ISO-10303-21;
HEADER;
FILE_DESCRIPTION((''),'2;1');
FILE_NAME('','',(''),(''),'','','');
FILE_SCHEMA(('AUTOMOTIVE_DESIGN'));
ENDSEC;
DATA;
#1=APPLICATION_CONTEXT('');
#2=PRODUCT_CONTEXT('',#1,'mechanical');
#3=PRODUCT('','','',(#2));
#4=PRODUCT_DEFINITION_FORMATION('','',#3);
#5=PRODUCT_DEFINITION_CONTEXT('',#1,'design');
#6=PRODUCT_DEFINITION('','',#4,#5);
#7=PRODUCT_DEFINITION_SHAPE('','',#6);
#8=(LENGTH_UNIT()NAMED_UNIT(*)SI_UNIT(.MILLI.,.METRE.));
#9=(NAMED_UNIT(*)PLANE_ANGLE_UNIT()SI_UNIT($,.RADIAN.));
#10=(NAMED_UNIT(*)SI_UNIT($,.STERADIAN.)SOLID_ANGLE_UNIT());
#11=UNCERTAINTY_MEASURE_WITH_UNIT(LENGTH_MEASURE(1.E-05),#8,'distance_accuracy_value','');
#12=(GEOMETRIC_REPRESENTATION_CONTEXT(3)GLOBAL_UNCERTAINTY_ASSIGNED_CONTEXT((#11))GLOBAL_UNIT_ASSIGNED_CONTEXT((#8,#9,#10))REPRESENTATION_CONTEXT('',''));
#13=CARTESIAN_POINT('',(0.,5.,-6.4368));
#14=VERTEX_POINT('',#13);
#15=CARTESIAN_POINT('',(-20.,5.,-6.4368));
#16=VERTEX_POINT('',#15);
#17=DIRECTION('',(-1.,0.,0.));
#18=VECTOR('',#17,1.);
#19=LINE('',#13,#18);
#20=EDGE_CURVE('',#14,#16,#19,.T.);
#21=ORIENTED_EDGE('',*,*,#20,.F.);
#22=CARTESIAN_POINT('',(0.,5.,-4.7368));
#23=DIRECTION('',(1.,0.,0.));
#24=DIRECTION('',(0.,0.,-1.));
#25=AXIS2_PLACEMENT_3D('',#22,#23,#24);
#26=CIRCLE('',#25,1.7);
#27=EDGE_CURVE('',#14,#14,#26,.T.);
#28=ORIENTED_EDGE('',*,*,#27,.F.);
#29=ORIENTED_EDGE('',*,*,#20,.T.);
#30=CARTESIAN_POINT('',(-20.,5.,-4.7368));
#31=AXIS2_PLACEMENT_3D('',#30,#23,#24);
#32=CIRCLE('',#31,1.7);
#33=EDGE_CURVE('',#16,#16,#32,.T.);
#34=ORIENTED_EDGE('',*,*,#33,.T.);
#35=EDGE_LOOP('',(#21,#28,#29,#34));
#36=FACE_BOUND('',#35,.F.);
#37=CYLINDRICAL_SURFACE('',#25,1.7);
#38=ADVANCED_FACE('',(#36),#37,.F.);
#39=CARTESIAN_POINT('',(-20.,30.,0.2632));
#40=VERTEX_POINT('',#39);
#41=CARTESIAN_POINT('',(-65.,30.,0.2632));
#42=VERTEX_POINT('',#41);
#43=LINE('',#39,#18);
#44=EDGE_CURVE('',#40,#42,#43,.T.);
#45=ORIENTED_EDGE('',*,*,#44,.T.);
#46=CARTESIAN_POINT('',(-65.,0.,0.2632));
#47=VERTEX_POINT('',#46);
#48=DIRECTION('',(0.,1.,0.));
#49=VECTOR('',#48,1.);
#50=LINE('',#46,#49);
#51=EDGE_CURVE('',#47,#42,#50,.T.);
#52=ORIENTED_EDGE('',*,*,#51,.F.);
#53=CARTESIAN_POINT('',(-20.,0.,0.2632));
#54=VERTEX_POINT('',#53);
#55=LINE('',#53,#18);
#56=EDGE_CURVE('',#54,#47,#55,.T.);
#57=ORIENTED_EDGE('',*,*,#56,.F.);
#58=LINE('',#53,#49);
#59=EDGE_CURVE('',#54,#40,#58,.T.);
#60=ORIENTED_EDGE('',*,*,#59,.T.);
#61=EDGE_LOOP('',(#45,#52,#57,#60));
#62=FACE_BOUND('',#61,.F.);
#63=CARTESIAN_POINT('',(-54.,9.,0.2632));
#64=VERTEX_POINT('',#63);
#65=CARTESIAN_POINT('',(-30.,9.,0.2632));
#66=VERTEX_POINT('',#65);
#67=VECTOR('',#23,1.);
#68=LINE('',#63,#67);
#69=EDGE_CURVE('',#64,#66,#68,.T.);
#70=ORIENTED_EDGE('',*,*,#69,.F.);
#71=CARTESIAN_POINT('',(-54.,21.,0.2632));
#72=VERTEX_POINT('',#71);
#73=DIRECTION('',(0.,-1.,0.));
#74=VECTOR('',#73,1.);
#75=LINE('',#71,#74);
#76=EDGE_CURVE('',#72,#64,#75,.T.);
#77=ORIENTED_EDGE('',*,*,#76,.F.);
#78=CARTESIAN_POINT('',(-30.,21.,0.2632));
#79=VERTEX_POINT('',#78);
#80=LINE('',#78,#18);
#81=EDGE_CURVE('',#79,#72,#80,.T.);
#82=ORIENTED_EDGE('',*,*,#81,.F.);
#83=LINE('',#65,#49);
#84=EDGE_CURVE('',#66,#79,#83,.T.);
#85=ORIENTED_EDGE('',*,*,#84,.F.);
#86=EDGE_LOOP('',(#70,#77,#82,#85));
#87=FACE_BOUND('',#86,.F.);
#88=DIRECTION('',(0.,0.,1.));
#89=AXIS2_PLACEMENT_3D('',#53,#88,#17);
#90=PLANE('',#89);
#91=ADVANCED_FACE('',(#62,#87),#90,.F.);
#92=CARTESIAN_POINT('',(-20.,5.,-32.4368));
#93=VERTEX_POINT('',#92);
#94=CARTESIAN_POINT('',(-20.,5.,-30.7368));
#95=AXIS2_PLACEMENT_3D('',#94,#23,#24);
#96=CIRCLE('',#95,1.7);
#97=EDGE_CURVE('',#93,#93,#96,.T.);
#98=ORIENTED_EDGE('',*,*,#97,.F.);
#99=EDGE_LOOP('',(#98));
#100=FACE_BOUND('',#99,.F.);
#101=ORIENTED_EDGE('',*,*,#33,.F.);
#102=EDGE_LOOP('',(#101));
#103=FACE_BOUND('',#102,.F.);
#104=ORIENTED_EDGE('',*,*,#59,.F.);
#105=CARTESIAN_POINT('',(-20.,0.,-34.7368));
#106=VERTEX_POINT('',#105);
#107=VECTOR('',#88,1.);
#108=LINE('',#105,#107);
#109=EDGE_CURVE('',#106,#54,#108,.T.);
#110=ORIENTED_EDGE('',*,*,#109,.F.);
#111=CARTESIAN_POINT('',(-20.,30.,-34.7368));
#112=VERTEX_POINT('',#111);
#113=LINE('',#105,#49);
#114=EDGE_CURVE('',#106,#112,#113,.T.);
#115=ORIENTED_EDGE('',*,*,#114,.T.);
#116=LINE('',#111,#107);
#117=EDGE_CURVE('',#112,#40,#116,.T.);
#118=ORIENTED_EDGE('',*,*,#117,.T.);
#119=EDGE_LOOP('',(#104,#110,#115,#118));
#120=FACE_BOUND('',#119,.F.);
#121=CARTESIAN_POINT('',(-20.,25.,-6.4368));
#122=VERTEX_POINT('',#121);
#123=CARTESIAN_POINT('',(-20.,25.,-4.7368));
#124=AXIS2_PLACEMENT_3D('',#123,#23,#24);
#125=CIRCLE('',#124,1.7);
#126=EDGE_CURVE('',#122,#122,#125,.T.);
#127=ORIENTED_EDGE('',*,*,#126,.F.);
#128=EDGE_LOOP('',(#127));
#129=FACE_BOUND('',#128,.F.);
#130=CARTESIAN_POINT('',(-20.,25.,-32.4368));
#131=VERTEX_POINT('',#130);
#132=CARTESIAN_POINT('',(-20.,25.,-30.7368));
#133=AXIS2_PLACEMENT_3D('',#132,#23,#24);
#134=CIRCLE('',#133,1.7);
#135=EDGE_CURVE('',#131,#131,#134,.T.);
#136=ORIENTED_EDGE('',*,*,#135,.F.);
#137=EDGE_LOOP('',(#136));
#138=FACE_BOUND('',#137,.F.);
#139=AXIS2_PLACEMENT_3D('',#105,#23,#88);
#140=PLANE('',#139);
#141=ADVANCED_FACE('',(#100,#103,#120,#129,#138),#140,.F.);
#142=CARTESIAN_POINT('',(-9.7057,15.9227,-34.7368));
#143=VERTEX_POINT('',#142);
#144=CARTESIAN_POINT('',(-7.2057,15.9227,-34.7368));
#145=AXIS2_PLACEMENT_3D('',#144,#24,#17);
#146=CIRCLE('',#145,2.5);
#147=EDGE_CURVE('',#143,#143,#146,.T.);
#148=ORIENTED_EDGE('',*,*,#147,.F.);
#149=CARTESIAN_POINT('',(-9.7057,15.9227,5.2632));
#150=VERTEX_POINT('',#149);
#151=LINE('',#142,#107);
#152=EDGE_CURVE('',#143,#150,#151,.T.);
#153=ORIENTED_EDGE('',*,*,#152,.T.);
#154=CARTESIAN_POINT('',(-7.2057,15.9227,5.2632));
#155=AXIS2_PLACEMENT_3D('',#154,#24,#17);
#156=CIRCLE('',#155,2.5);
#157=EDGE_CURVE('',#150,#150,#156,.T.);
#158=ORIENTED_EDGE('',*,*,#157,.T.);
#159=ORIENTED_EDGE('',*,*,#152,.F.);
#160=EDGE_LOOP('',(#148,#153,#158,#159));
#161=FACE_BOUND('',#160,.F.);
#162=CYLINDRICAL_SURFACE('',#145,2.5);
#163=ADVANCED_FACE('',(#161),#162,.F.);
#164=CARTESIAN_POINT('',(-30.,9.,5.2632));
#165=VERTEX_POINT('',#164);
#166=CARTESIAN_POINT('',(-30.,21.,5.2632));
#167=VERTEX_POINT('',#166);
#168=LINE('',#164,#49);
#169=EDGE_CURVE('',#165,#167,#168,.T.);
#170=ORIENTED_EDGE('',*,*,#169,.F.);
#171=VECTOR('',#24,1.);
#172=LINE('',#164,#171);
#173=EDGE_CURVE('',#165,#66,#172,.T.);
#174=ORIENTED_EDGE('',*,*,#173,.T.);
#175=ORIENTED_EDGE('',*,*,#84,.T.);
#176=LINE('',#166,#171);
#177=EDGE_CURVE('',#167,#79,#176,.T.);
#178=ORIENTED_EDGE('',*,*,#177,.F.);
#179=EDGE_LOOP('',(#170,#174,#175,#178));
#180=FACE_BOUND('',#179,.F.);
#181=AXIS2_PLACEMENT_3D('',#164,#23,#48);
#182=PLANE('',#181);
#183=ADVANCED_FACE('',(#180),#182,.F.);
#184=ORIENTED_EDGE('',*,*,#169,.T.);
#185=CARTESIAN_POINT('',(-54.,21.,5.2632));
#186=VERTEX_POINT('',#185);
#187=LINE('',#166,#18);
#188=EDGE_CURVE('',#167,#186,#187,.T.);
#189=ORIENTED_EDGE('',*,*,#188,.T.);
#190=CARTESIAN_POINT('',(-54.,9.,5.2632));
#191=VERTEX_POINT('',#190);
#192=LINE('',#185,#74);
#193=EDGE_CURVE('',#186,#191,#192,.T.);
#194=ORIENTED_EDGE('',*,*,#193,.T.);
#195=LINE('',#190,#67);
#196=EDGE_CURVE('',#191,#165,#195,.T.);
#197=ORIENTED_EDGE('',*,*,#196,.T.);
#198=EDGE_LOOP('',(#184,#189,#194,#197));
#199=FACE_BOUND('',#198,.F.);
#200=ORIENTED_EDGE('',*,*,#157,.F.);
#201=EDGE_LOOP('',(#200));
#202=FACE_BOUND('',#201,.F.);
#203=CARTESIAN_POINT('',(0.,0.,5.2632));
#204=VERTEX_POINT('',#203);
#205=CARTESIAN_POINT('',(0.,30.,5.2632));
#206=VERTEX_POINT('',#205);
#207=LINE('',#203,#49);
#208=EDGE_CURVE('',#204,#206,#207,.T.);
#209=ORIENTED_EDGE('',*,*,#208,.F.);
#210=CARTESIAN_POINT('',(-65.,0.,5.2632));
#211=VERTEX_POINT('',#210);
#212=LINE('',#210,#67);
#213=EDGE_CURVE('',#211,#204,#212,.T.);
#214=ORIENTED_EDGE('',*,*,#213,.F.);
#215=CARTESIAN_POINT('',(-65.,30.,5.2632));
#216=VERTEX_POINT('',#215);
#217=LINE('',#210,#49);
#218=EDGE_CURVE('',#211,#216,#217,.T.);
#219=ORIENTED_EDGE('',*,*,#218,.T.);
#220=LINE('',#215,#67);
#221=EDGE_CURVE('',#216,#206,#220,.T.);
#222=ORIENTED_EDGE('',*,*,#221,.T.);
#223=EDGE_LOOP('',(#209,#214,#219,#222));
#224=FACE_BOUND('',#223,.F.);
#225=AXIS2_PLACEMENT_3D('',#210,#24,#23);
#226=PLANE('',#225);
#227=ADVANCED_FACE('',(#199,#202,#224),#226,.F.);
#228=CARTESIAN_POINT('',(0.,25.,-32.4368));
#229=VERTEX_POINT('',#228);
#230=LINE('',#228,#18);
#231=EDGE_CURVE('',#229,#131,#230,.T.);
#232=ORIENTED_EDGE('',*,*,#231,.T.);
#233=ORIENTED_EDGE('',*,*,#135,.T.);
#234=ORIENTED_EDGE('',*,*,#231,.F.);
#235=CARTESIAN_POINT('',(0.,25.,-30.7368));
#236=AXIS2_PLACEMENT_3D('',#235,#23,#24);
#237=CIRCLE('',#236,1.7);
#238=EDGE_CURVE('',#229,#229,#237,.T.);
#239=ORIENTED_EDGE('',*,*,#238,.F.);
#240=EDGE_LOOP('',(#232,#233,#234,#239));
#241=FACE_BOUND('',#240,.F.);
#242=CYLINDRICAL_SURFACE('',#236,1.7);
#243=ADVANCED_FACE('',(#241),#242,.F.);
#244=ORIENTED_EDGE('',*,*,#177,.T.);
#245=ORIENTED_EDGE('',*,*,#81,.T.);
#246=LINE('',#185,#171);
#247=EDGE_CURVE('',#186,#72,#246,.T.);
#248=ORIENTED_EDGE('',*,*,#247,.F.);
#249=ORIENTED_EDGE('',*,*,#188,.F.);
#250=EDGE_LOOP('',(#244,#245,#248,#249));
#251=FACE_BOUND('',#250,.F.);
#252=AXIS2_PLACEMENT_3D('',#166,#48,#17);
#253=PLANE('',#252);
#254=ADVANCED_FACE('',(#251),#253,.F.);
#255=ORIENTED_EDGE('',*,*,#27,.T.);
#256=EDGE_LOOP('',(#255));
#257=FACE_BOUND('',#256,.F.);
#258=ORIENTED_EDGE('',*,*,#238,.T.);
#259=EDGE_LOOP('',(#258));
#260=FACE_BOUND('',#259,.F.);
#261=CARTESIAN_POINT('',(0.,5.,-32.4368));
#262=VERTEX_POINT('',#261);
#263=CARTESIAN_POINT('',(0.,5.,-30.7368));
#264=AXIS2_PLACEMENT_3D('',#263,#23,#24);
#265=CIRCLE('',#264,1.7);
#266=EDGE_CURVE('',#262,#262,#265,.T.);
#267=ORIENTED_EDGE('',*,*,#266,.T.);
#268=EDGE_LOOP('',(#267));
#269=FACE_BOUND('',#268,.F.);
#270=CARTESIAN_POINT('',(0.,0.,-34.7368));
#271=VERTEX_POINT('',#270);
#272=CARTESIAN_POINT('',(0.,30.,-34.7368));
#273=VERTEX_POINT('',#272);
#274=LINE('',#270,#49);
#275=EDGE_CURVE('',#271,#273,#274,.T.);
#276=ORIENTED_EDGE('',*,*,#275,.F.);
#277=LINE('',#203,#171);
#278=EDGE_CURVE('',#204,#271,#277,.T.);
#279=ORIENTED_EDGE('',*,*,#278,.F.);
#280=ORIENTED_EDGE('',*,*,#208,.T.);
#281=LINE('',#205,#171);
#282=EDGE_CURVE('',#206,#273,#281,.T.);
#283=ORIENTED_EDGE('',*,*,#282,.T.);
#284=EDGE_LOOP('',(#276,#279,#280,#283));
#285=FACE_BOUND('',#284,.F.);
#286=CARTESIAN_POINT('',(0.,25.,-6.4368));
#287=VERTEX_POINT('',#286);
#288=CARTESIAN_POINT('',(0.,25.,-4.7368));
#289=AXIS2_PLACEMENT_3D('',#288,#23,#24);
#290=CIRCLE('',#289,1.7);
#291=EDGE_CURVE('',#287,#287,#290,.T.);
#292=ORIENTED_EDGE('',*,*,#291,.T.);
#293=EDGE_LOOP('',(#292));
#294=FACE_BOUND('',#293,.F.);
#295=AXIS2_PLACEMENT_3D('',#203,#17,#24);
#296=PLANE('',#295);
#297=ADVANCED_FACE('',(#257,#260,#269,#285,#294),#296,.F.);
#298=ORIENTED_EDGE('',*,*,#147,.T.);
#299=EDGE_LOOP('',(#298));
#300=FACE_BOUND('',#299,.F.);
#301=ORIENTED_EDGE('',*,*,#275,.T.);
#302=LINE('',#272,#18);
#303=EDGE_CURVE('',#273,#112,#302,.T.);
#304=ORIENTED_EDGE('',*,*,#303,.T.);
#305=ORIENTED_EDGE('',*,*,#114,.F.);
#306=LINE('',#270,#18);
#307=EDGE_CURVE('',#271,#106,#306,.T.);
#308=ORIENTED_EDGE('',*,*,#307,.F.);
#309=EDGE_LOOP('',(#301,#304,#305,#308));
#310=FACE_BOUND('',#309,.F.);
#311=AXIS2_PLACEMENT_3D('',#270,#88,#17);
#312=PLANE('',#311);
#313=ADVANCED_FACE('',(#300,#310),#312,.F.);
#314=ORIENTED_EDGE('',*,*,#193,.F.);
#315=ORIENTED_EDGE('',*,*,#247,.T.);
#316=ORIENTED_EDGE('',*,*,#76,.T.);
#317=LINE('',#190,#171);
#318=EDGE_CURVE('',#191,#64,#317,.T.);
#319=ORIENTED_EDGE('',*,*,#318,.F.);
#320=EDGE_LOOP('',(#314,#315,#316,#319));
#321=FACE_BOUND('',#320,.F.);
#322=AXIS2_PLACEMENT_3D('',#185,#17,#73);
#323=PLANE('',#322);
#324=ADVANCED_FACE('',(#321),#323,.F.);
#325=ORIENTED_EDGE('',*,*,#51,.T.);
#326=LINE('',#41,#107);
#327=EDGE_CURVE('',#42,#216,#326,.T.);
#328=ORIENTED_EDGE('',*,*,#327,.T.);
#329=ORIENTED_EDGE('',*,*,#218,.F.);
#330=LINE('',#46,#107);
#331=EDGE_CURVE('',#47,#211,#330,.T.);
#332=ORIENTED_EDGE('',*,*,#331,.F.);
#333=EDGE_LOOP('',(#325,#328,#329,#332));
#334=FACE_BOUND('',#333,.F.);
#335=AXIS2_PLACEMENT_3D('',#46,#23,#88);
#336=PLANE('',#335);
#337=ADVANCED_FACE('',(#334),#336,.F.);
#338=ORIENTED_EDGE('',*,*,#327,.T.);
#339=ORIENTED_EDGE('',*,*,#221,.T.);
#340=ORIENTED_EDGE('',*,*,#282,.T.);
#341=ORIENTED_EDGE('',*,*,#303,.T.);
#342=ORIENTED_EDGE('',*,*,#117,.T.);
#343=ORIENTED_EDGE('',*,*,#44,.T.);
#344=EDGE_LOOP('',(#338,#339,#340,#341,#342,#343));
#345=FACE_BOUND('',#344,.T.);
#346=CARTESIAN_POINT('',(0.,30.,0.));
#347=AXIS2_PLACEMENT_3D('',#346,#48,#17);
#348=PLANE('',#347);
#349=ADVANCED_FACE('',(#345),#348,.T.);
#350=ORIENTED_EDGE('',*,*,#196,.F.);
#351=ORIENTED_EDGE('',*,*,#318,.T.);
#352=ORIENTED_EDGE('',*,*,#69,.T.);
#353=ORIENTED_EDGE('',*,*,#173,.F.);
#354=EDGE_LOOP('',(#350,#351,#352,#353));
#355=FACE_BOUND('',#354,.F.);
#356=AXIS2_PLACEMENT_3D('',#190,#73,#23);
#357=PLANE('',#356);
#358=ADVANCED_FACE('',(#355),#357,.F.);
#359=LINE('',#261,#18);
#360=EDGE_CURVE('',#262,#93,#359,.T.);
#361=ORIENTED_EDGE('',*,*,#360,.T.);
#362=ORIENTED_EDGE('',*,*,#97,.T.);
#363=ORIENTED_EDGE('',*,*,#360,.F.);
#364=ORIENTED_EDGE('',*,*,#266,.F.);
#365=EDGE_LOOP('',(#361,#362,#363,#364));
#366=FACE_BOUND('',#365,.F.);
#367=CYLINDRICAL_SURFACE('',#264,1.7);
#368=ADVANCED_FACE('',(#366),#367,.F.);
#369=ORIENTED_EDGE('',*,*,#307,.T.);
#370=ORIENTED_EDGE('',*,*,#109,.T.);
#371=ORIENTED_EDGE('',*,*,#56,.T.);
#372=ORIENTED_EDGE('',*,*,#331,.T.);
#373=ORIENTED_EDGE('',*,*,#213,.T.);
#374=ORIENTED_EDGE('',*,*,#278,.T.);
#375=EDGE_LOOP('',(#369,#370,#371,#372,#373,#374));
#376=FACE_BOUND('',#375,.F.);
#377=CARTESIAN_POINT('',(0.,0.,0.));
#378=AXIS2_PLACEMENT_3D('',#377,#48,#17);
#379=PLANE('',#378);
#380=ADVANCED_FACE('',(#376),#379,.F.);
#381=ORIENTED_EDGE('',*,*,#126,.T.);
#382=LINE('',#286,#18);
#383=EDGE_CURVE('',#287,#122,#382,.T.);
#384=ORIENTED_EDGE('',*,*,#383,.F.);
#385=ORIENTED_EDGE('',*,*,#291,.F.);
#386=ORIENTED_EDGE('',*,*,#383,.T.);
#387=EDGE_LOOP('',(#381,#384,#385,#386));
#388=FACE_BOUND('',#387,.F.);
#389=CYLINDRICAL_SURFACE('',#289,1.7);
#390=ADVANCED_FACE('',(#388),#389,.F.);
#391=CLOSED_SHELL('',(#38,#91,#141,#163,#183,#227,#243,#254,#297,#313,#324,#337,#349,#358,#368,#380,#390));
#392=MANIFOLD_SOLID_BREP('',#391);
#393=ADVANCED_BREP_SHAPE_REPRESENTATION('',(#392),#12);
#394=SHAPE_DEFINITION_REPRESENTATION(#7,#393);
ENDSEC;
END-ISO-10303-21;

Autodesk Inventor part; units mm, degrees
ref_plane "YZ Plane" through (0, 0, 0) normal (1, 0, 0) x (0, 1, 0)
ref_plane "XZ Plane" through (0, 0, 0) normal (0, 1, 0) x (-1, 0, 0)
ref_plane "XY Plane" through (0, 0, 0) normal (0, 0, 1) x (1, 0, 0)
sketch "Skizze1" plane through (0, 0, 0) normal (0, 1, 0) x (-1, 0, 0)
  line L0 (65, 5.2632) -> (0, 5.2632)
  line L1 (0, 5.2632) -> (0, -34.7368)
  line L2 (0, -34.7368) -> (20, -34.7368)
  line L3 (20, -34.7368) -> (20, 0.2632)
  line L4 (20, 0.2632) -> (65, 0.2632)
  line L5 (65, 0.2632) -> (65, 5.2632)
  point P0 (0, 0)
  dimension "d0" = 5
  dimension "d1" = 20
  dimension "d2" = 40
  dimension "d5" = 65
extrude "Extrusion1" add sketch "Skizze1" along normal blind 30
sketch "Skizze2" plane through (-65, 0, 5.2632) normal (0, 0, 1) x (1, 0, 0)
  line L0 (11, 9) -> (35, 9)
  line L1 (35, 9) -> (35, 21)
  line L2 (35, 21) -> (11, 21)
  line L3 (11, 21) -> (11, 9)
  line L4 (65, 0) -> (65, 30) projected
  line L5 (0, 30) -> (65, 30) projected
  dimension "d6" = 30
  dimension "d7" = 24
  dimension "d8" = 12
  dimension "d9" = 9
extrude "Extrusion2" cut sketch "Skizze2" against normal blind 5
sketch "Skizze3" plane through (0, 0, 5.2632) normal (1, 0, 0) x (0, 0, -1)
  circle A0 centre (10, 5) radius 1.7
  circle A1 centre (36, 5) radius 1.7
  circle A2 centre (10, 25) radius 1.7
  circle A3 centre (36, 25) radius 1.7
  line L0 (0, 0) -> (0, 30) projected
  line L1 (0, 30) -> (40, 30) projected
  line L2 (40, 0) -> (40, 30) projected
  point P0 (5.2632, 0)
  dimension "d12" = 3.4
  dimension "d13" = 3.4
  dimension "d14" = 3.4
  dimension "d15" = 3.4
  dimension "d16" = 10
  dimension "d17" = 20
  dimension "d18" = 5
  dimension "d19" = 10
  dimension "d20" = 4
  dimension "d21" = 20
  dimension "d22" = 4
  dimension "d23" = 5
extrude "Extrusion3" cut sketch "Skizze3" against normal blind 20
sketch "Skizze4" plane through (0, 0, 5.2632) normal (1, 0, 0) x (0, 0, -1)
  point P0 (5.2632, 0)
sketch "Skizze5" plane through (0, 0, -34.7368) normal (0, 0, -1) x (-1, 0, 0)
  arc A0 (0.0007, -11.0976) -> (-0.0008, 42.9427) centre (7.2057, 15.9227) ccw projected
  circle A1 centre (7.2057, 15.9227) radius 2.5
  point P0 (0, 0)
  dimension "d26" = 5
extrude "Extrusion4" cut sketch "Skizze5" against normal through all
properties part number "L-Halterung Servo"
